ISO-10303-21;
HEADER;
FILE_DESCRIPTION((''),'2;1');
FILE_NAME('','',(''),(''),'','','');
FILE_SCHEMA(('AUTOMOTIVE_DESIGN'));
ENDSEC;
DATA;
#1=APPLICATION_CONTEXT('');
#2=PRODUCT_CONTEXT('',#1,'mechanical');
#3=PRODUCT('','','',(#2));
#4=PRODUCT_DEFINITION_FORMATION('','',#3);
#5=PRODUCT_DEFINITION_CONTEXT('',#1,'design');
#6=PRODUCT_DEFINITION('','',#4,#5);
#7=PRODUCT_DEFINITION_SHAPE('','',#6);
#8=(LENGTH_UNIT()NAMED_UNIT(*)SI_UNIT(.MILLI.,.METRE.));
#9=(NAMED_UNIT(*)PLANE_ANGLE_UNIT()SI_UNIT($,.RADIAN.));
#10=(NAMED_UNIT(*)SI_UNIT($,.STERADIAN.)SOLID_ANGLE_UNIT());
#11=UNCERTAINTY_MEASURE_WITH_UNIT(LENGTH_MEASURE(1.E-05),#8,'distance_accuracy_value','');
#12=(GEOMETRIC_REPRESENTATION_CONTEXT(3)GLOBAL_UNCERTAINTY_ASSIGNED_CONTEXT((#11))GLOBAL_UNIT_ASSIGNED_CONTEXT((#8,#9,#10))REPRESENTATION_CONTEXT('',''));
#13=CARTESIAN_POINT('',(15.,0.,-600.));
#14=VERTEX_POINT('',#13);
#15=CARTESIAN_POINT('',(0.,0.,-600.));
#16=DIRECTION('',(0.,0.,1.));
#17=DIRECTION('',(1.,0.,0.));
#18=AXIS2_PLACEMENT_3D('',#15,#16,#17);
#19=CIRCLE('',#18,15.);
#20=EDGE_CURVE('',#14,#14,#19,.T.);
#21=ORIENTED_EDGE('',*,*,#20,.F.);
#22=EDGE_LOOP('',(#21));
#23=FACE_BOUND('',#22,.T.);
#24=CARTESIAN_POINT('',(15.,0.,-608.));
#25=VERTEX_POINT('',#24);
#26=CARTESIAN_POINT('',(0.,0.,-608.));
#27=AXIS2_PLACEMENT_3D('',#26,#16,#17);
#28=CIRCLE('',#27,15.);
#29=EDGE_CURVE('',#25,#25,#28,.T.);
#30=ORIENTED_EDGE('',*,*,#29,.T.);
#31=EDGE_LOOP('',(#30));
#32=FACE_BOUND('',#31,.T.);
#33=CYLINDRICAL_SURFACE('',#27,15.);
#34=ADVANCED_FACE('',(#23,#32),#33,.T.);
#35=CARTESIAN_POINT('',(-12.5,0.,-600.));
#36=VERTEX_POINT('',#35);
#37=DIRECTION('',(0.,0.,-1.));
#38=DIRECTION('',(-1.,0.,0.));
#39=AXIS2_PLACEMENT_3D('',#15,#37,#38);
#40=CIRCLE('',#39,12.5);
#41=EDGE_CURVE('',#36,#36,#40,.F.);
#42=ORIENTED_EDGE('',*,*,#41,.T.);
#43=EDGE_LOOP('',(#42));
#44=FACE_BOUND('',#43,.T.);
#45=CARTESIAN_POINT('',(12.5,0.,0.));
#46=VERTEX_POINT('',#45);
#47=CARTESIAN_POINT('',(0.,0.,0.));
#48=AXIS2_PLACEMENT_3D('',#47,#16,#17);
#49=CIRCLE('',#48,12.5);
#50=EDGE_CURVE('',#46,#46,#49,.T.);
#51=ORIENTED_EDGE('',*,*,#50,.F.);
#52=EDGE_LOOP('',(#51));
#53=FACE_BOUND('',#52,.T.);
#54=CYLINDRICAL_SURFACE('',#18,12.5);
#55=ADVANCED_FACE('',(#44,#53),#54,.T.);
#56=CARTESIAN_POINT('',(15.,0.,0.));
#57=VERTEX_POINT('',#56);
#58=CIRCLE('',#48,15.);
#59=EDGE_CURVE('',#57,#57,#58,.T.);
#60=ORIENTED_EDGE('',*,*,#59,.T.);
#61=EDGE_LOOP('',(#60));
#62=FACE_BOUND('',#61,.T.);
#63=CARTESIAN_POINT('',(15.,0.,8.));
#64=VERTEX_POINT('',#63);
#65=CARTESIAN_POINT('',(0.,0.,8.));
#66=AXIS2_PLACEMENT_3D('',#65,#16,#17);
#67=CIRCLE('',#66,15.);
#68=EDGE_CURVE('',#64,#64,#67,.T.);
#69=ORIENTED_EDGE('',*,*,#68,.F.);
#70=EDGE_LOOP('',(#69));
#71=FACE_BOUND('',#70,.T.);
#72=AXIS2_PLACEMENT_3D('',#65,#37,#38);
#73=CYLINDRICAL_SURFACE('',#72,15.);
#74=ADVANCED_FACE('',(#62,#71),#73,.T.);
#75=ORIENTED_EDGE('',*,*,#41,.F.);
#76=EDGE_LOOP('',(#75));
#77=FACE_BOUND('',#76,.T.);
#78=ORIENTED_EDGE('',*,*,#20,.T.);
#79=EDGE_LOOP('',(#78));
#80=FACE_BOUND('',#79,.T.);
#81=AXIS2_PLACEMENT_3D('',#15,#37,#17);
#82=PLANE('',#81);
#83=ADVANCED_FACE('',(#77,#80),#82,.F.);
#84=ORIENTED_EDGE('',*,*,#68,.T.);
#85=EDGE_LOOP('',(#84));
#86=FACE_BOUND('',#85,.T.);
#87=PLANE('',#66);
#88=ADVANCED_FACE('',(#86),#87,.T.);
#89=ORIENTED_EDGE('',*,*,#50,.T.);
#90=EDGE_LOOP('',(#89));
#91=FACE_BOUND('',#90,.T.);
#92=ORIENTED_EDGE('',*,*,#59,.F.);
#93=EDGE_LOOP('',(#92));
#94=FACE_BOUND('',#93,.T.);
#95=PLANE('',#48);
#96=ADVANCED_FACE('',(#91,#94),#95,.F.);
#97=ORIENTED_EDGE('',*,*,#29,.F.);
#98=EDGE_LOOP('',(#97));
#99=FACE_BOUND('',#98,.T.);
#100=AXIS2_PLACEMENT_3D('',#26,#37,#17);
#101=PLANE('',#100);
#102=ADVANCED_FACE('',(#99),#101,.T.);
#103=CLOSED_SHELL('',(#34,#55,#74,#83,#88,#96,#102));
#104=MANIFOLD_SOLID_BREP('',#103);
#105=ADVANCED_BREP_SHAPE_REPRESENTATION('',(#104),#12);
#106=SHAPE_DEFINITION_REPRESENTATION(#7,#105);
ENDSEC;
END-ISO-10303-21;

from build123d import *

# Parameters (mm, degrees)
CROQUIS1_R              = 12.5
SALIENTE_EXTRUIR1_DEPTH = 600
CROQUIS2_R              = 15
SALIENTE_EXTRUIR2_DEPTH = 8


with BuildPart() as part:
    # Croquis1 → Saliente-Extruir1 (new body)
    with BuildSketch(Plane.XY):
        Circle(CROQUIS1_R)
    extrude(amount=-SALIENTE_EXTRUIR1_DEPTH)

    # Croquis2 → Saliente-Extruir2 (add)
    with BuildSketch(Plane.XY):
        Circle(CROQUIS2_R)
    saliente_extruir2 = extrude(amount=SALIENTE_EXTRUIR2_DEPTH)

    # Simetría1: Saliente-Extruir2 across plane
    add(saliente_extruir2.mirror(Plane.XY.offset(-300)))


solid = part.part
